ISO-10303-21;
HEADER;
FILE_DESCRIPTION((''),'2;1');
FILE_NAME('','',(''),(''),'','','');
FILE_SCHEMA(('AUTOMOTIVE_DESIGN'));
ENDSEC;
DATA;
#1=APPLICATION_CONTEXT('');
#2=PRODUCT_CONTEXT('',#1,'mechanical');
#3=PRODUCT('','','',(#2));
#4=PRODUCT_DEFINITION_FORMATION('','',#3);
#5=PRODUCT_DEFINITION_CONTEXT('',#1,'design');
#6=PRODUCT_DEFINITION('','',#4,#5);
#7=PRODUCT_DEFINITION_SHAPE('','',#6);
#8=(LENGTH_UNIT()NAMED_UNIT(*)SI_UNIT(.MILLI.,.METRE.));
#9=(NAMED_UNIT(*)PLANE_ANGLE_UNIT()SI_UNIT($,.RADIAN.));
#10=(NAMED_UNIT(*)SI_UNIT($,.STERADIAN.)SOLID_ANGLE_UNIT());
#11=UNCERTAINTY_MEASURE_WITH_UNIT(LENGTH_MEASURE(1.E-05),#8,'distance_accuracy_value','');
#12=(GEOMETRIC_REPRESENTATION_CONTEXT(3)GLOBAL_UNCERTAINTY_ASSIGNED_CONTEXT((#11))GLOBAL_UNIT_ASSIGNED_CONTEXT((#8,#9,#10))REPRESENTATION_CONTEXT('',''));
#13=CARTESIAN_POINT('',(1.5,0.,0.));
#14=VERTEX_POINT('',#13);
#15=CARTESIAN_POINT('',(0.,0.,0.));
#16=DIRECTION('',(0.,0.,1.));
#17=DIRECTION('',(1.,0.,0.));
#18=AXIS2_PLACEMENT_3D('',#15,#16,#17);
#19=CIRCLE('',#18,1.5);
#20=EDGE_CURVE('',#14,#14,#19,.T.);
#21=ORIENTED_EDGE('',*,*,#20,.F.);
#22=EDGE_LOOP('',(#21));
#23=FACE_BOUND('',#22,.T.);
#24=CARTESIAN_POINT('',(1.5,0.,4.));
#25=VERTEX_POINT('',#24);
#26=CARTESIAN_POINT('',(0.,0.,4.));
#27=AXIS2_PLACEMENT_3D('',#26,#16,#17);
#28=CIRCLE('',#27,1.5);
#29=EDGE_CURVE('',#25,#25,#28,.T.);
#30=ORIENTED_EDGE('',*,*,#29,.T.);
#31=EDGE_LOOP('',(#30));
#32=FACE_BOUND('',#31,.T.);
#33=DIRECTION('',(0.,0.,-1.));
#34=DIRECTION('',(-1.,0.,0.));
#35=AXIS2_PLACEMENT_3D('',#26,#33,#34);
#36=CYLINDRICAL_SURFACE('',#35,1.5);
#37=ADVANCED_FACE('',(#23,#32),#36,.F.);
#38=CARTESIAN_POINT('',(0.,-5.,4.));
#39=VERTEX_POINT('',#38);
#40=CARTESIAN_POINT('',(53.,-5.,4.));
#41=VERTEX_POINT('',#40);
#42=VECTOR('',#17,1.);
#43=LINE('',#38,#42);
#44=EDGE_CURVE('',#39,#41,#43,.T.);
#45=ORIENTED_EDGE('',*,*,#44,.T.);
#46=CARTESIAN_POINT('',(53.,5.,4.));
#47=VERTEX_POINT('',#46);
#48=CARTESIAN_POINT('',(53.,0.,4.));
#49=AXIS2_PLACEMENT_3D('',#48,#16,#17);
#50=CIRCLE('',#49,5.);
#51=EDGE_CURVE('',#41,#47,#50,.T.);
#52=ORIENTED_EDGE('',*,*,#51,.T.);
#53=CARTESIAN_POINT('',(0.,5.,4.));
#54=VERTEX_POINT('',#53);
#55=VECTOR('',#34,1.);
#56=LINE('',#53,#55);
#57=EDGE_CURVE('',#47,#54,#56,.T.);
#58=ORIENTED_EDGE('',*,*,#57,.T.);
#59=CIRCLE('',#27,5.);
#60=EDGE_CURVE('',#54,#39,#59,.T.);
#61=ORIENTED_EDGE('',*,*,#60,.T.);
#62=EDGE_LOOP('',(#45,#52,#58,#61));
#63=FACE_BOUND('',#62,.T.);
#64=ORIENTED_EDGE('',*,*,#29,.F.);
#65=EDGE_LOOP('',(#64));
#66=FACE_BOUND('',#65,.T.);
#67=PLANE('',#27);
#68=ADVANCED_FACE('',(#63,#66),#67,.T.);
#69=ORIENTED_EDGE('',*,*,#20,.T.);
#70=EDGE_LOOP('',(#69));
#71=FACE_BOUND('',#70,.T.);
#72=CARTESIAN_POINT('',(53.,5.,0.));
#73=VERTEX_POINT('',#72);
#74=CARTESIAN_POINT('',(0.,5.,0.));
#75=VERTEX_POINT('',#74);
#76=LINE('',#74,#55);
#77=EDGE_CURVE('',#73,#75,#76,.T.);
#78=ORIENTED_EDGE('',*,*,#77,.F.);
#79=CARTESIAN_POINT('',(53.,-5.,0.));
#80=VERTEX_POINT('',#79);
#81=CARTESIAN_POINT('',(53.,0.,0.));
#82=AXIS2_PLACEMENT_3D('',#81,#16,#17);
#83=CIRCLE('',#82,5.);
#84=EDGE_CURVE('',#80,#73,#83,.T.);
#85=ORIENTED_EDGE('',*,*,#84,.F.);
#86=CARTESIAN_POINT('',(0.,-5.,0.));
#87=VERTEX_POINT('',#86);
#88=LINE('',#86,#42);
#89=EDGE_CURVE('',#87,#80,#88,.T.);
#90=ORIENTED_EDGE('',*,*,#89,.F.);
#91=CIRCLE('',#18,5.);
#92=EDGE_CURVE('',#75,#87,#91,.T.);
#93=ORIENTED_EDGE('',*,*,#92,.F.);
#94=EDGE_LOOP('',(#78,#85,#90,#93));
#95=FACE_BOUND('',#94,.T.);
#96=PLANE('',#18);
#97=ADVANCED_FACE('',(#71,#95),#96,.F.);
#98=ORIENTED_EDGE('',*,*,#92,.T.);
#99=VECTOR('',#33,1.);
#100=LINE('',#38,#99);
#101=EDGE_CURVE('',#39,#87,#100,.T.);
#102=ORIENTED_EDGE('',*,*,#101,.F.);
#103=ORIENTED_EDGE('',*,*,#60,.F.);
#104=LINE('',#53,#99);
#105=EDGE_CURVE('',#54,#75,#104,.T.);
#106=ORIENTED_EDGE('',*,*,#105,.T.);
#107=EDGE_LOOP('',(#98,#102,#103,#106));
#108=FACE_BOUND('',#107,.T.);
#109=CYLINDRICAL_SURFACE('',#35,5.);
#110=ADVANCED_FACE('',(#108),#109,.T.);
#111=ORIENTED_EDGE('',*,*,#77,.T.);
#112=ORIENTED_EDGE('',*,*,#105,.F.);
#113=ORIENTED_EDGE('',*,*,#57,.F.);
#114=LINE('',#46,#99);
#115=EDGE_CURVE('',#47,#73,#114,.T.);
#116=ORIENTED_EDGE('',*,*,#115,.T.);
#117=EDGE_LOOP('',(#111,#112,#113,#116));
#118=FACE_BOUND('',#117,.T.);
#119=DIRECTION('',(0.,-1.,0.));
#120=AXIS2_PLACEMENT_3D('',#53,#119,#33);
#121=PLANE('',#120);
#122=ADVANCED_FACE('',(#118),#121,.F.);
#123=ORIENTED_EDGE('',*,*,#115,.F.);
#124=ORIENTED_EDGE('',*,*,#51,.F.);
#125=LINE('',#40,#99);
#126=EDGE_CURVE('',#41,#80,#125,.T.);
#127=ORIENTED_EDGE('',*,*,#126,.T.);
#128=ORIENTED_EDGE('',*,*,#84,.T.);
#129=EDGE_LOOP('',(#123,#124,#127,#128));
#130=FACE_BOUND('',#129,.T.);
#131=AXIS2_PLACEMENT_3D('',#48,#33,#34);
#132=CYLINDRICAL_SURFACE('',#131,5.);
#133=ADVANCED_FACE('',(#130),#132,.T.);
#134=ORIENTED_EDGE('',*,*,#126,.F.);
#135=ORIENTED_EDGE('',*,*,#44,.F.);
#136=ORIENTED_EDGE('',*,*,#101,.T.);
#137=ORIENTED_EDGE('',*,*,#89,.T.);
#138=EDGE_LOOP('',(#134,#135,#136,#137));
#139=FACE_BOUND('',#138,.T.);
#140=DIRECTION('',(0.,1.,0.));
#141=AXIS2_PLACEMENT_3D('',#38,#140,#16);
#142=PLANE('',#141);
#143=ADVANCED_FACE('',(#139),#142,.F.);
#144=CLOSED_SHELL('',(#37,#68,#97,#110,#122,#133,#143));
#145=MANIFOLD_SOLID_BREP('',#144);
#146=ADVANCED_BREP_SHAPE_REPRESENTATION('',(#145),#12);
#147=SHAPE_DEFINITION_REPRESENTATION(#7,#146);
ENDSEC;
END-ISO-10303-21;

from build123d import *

# Parameters (mm, degrees)
SKETCH1_R           = 1.5
BOSS_EXTRUDE1_DEPTH = 4


with BuildPart() as part:
    # Sketch1 → Boss-Extrude1 (new body)
    with BuildSketch(Plane.XY):
        with BuildLine():
            Line((0, 5), (53, 5))
            ThreePointArc((53, 5), (58, 0), (53, -5))
            Line((53, -5), (0, -5))
            ThreePointArc((0, -5), (-5, 0), (0, 5))
        make_face()
        Circle(SKETCH1_R, mode=Mode.SUBTRACT)
    extrude(amount=BOSS_EXTRUDE1_DEPTH)


solid = part.part
